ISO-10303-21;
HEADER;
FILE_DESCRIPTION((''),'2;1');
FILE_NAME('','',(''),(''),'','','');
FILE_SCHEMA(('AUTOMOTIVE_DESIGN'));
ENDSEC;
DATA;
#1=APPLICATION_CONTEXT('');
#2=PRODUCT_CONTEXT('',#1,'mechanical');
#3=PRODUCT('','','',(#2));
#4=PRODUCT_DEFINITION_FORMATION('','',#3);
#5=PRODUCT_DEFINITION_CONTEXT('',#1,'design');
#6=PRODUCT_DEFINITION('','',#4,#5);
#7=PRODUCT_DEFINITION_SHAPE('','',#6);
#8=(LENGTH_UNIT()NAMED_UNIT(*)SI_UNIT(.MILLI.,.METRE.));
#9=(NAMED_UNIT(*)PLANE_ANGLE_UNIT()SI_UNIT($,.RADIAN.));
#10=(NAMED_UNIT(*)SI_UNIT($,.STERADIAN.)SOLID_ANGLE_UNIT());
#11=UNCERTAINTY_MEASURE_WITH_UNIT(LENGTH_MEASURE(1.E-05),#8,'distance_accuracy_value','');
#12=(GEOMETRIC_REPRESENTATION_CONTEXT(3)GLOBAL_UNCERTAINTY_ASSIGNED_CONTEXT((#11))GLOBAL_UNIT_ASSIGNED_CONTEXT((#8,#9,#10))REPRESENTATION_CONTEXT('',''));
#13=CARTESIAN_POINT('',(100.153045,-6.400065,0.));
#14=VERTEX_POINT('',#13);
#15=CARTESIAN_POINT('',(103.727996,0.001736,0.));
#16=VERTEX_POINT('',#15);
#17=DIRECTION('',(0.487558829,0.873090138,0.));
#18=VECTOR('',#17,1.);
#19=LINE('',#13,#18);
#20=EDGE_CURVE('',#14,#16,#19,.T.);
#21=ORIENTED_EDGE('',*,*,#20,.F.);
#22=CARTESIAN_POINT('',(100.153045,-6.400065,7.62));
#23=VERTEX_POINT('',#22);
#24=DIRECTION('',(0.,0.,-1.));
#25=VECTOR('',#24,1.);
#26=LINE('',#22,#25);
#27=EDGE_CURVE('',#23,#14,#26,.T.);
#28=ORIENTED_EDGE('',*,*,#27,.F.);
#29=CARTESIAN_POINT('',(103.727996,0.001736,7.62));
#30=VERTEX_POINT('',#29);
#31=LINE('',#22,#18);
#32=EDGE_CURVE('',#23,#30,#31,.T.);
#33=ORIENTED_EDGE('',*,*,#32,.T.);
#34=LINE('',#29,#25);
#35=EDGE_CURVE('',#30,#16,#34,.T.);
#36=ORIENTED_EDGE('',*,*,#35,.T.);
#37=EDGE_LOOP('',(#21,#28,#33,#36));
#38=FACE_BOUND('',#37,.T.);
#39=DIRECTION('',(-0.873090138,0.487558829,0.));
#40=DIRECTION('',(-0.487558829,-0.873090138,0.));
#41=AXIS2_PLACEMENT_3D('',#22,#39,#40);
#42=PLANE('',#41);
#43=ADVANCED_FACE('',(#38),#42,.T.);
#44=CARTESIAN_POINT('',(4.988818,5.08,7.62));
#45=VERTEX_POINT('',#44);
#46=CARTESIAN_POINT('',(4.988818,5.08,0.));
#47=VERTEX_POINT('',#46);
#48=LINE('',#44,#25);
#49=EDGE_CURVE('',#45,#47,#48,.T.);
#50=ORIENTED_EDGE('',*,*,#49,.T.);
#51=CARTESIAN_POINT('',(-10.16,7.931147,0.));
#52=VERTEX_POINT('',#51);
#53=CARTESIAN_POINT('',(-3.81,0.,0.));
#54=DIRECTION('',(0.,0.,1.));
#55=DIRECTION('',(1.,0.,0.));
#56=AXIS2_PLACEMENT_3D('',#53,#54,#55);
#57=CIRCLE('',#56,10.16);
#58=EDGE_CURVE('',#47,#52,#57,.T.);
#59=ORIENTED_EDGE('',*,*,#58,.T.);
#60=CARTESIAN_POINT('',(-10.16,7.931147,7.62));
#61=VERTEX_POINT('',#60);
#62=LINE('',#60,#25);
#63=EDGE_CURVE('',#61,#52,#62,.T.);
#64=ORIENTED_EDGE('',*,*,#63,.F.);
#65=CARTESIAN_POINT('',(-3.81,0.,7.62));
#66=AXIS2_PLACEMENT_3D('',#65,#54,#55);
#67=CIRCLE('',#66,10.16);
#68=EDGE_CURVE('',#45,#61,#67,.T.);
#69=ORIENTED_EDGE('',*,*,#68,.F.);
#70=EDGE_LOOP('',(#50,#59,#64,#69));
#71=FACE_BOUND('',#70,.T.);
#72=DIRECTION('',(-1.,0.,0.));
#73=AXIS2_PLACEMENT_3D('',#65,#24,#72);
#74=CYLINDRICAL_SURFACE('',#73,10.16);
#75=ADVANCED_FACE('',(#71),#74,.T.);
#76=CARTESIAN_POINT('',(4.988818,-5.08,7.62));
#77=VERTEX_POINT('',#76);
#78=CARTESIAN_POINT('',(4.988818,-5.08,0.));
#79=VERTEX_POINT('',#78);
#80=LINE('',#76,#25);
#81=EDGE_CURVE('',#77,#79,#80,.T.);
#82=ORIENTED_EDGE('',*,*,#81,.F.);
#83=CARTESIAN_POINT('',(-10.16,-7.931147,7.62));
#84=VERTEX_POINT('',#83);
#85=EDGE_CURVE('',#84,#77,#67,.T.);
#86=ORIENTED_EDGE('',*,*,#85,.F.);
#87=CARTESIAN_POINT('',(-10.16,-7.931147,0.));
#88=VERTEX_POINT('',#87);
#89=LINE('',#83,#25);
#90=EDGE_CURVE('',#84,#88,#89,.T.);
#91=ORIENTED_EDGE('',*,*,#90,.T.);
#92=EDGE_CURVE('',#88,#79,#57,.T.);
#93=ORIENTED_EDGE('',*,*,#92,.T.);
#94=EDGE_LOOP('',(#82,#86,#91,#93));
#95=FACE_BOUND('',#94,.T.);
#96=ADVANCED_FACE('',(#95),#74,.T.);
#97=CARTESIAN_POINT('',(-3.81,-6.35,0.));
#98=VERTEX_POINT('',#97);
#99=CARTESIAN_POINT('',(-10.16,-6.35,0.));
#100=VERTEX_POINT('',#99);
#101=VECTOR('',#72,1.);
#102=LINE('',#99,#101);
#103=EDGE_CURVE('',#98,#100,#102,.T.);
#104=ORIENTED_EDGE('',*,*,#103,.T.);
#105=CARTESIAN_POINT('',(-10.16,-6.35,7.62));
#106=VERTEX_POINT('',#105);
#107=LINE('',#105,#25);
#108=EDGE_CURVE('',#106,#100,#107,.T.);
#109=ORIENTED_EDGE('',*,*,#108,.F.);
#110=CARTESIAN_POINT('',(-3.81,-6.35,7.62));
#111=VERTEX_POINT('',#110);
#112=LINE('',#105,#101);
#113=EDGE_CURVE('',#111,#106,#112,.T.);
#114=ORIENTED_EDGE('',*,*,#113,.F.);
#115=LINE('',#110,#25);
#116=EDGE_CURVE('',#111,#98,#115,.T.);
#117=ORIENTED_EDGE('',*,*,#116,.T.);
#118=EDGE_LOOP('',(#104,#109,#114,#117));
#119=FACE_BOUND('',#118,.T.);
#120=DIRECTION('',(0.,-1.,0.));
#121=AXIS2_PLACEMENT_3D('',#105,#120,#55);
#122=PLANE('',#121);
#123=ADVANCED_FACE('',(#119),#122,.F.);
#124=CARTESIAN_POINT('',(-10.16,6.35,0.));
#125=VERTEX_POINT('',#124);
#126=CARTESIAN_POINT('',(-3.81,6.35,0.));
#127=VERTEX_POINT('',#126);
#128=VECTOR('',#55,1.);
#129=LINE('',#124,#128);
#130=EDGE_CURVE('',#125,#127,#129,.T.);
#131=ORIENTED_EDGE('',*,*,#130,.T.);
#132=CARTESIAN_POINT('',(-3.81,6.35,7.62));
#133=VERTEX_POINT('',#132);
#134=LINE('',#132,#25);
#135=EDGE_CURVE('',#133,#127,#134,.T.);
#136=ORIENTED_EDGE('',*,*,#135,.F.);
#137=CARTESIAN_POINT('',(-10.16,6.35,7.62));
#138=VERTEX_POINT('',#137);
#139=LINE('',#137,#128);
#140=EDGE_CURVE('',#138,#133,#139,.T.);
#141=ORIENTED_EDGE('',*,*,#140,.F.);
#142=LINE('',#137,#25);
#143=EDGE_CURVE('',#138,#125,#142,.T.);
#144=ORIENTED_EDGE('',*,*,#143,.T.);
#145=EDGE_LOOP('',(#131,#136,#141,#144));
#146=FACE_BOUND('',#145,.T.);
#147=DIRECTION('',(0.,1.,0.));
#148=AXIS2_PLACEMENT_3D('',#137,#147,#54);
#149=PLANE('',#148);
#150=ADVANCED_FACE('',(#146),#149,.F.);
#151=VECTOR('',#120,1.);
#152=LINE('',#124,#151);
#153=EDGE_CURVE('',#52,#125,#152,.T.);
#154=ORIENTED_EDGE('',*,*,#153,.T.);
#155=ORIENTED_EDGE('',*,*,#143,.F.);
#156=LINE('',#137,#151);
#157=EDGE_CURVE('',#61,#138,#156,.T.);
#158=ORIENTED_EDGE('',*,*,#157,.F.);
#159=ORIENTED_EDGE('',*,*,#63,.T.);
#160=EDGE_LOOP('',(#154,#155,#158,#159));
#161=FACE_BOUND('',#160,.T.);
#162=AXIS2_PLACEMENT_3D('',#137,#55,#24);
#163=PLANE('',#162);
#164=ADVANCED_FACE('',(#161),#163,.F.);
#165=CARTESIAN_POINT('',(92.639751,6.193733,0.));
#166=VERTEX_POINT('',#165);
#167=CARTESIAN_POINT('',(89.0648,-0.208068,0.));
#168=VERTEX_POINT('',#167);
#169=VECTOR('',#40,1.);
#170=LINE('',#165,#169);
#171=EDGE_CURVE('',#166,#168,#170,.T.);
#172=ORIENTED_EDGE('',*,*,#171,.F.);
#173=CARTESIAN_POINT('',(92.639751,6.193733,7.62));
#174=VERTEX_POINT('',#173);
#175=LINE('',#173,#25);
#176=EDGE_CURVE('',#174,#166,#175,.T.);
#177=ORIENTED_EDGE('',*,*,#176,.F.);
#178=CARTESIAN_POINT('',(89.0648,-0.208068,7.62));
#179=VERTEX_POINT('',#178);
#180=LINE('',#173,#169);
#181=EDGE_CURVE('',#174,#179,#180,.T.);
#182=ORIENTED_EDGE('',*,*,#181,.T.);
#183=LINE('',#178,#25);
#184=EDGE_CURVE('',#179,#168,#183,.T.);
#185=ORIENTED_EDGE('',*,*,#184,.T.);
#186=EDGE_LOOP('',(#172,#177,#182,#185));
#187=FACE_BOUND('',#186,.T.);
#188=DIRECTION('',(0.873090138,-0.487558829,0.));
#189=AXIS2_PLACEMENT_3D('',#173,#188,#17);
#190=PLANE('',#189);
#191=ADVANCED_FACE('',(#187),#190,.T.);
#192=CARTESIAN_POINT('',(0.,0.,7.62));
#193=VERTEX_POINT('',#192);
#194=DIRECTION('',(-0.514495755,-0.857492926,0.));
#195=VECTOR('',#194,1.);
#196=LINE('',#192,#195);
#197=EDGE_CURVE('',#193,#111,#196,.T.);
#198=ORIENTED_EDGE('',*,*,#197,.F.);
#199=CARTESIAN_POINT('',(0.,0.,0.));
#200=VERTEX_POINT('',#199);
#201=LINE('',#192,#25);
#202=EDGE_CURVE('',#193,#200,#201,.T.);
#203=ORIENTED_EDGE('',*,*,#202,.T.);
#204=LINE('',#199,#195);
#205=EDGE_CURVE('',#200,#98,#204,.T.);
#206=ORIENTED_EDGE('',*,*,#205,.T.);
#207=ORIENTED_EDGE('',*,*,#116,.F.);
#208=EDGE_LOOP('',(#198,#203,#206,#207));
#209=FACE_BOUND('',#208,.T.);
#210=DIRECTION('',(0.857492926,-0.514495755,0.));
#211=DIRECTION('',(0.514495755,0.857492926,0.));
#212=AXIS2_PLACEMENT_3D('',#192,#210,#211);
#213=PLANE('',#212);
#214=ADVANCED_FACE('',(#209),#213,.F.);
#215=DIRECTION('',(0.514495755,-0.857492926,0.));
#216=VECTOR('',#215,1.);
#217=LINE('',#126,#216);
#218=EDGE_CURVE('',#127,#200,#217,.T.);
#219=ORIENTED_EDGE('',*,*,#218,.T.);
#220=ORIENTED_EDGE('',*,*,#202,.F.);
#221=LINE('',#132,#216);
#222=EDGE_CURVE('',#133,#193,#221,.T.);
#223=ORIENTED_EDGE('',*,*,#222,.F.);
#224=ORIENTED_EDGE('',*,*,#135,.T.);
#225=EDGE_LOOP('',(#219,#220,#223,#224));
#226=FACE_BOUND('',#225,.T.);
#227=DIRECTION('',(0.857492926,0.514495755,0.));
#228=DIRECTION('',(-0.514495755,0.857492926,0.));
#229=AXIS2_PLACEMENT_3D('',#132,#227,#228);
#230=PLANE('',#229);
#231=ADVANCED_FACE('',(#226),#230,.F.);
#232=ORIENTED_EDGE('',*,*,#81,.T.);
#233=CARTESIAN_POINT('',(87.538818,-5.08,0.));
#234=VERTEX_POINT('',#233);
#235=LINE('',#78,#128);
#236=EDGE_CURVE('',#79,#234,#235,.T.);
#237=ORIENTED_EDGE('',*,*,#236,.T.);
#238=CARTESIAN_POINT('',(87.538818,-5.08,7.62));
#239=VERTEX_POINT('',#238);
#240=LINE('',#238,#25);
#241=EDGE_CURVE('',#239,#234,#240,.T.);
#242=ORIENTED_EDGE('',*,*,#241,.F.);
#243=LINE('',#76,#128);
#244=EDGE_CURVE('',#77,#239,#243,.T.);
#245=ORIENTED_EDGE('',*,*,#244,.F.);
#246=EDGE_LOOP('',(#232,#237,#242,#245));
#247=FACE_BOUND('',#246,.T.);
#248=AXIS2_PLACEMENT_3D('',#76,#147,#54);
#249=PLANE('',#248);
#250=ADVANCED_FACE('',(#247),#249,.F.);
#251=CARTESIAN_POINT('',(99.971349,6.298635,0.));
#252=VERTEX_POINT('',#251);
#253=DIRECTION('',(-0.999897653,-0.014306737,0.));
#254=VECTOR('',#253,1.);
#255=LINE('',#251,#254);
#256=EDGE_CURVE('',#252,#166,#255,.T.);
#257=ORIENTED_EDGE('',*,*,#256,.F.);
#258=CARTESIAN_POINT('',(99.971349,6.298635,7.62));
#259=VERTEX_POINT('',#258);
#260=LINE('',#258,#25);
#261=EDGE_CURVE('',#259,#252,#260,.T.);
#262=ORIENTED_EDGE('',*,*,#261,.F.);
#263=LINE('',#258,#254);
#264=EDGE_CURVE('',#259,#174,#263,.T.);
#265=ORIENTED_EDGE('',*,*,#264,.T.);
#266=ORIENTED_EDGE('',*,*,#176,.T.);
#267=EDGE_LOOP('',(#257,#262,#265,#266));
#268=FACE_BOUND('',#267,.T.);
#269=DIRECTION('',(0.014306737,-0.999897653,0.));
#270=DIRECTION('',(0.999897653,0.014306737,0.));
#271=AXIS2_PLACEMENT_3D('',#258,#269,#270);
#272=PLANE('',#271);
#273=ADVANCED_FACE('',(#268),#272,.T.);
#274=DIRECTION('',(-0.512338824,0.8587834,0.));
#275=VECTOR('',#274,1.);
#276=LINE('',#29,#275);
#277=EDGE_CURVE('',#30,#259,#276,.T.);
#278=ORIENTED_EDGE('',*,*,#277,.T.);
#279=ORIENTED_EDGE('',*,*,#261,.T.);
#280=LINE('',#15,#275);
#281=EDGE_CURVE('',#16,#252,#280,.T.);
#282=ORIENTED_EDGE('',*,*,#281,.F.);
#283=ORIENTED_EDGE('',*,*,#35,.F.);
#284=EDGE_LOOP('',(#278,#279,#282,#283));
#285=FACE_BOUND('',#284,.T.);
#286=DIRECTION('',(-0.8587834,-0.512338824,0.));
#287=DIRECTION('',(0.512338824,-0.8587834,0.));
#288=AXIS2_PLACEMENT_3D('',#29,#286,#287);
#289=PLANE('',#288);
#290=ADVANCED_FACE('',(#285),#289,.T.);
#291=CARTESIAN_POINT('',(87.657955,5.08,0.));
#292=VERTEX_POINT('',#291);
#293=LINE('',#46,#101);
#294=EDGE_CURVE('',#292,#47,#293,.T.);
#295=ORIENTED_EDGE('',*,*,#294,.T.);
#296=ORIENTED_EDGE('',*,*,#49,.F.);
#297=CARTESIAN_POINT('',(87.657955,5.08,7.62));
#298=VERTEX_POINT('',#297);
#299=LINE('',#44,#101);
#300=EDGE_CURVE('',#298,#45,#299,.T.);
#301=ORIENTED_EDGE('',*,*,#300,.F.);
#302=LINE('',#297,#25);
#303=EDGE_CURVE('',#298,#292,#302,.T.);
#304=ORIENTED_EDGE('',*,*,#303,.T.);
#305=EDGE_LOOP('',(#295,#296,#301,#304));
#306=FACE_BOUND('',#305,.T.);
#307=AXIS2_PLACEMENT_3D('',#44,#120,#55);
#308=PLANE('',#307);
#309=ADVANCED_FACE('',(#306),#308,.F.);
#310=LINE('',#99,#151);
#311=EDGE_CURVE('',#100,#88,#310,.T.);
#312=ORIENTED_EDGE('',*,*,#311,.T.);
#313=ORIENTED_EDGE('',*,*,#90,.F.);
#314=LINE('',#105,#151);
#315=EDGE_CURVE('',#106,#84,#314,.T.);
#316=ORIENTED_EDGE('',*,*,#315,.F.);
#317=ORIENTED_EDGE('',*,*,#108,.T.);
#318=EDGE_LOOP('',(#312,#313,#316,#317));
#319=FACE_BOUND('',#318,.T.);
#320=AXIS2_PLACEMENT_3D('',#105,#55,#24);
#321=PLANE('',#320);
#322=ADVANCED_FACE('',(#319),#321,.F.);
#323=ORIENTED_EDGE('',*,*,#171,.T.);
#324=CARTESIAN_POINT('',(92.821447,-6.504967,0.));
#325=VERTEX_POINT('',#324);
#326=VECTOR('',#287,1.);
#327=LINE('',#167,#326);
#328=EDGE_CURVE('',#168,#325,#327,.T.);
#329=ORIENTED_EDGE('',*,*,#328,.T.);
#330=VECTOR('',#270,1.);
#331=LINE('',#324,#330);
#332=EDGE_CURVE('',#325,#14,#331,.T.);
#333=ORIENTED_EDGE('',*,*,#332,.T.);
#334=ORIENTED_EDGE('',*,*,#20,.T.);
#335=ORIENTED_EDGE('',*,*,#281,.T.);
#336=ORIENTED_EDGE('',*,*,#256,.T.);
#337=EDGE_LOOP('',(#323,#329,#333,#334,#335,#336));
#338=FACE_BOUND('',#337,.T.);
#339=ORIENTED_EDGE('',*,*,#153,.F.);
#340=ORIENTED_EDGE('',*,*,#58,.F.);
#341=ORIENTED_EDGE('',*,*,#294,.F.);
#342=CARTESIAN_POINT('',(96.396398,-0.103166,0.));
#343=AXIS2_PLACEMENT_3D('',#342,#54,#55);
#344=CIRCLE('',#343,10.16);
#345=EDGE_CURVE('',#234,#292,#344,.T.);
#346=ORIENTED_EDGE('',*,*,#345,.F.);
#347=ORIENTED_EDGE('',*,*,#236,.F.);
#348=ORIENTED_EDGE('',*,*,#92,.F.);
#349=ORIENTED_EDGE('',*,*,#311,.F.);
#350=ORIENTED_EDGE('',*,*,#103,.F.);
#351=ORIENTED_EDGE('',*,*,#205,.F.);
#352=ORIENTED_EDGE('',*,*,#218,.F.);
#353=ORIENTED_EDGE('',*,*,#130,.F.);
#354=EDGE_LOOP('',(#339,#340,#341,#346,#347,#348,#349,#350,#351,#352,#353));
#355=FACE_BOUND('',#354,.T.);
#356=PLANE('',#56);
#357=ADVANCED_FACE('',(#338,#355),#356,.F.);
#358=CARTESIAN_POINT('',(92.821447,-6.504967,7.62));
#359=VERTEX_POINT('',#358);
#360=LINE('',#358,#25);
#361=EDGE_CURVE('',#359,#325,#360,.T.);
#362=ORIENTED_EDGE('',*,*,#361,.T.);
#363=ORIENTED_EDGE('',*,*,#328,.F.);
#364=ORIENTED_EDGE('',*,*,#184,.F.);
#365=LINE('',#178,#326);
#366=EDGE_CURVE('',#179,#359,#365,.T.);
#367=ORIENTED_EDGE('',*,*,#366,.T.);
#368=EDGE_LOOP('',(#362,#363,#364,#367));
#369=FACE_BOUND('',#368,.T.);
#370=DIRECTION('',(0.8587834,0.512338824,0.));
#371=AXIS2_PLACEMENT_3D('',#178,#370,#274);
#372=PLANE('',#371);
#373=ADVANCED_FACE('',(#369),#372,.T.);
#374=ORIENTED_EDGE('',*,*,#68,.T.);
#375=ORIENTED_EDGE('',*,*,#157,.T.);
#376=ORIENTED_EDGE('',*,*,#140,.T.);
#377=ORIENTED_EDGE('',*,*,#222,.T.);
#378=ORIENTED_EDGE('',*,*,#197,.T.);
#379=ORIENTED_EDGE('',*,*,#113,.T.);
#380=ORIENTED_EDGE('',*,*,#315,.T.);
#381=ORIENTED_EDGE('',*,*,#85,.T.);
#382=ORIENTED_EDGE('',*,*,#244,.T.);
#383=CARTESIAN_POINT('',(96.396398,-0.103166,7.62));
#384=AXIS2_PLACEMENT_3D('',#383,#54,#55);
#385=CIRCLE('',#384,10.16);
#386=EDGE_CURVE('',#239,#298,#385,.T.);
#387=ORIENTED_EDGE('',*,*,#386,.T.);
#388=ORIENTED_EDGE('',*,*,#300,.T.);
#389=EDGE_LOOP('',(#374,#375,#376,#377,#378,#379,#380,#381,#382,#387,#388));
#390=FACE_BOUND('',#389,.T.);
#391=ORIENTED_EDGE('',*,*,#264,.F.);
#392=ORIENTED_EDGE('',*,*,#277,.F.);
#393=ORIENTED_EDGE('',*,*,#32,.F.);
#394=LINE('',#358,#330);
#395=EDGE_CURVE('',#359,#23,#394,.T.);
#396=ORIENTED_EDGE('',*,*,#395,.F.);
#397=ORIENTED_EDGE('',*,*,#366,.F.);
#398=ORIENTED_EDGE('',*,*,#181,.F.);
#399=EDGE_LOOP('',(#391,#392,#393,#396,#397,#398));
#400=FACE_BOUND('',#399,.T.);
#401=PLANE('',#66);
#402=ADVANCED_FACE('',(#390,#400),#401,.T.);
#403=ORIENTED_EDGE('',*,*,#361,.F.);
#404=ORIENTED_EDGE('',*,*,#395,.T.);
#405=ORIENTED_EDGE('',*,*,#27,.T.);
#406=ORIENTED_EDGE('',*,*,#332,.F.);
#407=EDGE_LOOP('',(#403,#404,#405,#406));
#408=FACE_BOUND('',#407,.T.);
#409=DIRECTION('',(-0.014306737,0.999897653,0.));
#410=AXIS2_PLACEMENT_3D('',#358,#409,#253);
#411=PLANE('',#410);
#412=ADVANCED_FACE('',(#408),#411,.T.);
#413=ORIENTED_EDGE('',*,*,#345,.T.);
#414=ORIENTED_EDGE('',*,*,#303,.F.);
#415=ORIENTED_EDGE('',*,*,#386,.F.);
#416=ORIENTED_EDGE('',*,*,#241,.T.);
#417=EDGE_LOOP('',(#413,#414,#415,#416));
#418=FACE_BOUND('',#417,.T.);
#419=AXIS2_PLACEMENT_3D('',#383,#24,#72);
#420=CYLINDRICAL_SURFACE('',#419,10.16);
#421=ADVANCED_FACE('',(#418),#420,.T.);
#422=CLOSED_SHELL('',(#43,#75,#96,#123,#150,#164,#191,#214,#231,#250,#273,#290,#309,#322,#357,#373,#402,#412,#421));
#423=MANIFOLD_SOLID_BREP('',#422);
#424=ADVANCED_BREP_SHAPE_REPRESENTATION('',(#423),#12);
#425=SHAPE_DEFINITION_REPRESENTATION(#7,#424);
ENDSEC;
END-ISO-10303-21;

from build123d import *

# Parameters (mm, degrees)
BOSS_EXTRUDE2_DEPTH = 7.62


with BuildPart() as part:
    # Sketch3 → Boss-Extrude2 (new body)
    with BuildSketch(Plane.XY):
        with BuildLine():
            Line((-10.16, 6.35), (-3.81, 6.35))
            Line((-3.81, 6.35), (0, 0))
            Line((0, 0), (-3.81, -6.35))
            Line((-3.81, -6.35), (-10.16, -6.35))
            Line((-10.16, -6.35), (-10.16, -7.931147458))
            ThreePointArc((-10.16, -7.931147458), (-1.930787936, -9.984696391), (4.988818102, -5.08))
            Line((4.988818102, -5.08), (87.538818102, -5.08))
            ThreePointArc((87.538818102, -5.08), (106.555699626, -0.222294413), (87.657954776, 5.08))
            Line((87.657954776, 5.08), (4.988818102, 5.08))
            ThreePointArc((4.988818102, 5.08), (-1.930787936, 9.984696391), (-10.16, 7.931147458))
            Line((-10.16, 7.931147458), (-10.16, 6.35))
        make_face()
        Polygon((100.153044825, -6.400065038), (103.727996034, 0.001736052), (99.971349264, 6.298635161), (92.639751286, 6.19373318), (89.064800078, -0.20806791), (92.821446847, -6.504967018), align=None, mode=Mode.SUBTRACT)
    extrude(amount=BOSS_EXTRUDE2_DEPTH)


solid = part.part
